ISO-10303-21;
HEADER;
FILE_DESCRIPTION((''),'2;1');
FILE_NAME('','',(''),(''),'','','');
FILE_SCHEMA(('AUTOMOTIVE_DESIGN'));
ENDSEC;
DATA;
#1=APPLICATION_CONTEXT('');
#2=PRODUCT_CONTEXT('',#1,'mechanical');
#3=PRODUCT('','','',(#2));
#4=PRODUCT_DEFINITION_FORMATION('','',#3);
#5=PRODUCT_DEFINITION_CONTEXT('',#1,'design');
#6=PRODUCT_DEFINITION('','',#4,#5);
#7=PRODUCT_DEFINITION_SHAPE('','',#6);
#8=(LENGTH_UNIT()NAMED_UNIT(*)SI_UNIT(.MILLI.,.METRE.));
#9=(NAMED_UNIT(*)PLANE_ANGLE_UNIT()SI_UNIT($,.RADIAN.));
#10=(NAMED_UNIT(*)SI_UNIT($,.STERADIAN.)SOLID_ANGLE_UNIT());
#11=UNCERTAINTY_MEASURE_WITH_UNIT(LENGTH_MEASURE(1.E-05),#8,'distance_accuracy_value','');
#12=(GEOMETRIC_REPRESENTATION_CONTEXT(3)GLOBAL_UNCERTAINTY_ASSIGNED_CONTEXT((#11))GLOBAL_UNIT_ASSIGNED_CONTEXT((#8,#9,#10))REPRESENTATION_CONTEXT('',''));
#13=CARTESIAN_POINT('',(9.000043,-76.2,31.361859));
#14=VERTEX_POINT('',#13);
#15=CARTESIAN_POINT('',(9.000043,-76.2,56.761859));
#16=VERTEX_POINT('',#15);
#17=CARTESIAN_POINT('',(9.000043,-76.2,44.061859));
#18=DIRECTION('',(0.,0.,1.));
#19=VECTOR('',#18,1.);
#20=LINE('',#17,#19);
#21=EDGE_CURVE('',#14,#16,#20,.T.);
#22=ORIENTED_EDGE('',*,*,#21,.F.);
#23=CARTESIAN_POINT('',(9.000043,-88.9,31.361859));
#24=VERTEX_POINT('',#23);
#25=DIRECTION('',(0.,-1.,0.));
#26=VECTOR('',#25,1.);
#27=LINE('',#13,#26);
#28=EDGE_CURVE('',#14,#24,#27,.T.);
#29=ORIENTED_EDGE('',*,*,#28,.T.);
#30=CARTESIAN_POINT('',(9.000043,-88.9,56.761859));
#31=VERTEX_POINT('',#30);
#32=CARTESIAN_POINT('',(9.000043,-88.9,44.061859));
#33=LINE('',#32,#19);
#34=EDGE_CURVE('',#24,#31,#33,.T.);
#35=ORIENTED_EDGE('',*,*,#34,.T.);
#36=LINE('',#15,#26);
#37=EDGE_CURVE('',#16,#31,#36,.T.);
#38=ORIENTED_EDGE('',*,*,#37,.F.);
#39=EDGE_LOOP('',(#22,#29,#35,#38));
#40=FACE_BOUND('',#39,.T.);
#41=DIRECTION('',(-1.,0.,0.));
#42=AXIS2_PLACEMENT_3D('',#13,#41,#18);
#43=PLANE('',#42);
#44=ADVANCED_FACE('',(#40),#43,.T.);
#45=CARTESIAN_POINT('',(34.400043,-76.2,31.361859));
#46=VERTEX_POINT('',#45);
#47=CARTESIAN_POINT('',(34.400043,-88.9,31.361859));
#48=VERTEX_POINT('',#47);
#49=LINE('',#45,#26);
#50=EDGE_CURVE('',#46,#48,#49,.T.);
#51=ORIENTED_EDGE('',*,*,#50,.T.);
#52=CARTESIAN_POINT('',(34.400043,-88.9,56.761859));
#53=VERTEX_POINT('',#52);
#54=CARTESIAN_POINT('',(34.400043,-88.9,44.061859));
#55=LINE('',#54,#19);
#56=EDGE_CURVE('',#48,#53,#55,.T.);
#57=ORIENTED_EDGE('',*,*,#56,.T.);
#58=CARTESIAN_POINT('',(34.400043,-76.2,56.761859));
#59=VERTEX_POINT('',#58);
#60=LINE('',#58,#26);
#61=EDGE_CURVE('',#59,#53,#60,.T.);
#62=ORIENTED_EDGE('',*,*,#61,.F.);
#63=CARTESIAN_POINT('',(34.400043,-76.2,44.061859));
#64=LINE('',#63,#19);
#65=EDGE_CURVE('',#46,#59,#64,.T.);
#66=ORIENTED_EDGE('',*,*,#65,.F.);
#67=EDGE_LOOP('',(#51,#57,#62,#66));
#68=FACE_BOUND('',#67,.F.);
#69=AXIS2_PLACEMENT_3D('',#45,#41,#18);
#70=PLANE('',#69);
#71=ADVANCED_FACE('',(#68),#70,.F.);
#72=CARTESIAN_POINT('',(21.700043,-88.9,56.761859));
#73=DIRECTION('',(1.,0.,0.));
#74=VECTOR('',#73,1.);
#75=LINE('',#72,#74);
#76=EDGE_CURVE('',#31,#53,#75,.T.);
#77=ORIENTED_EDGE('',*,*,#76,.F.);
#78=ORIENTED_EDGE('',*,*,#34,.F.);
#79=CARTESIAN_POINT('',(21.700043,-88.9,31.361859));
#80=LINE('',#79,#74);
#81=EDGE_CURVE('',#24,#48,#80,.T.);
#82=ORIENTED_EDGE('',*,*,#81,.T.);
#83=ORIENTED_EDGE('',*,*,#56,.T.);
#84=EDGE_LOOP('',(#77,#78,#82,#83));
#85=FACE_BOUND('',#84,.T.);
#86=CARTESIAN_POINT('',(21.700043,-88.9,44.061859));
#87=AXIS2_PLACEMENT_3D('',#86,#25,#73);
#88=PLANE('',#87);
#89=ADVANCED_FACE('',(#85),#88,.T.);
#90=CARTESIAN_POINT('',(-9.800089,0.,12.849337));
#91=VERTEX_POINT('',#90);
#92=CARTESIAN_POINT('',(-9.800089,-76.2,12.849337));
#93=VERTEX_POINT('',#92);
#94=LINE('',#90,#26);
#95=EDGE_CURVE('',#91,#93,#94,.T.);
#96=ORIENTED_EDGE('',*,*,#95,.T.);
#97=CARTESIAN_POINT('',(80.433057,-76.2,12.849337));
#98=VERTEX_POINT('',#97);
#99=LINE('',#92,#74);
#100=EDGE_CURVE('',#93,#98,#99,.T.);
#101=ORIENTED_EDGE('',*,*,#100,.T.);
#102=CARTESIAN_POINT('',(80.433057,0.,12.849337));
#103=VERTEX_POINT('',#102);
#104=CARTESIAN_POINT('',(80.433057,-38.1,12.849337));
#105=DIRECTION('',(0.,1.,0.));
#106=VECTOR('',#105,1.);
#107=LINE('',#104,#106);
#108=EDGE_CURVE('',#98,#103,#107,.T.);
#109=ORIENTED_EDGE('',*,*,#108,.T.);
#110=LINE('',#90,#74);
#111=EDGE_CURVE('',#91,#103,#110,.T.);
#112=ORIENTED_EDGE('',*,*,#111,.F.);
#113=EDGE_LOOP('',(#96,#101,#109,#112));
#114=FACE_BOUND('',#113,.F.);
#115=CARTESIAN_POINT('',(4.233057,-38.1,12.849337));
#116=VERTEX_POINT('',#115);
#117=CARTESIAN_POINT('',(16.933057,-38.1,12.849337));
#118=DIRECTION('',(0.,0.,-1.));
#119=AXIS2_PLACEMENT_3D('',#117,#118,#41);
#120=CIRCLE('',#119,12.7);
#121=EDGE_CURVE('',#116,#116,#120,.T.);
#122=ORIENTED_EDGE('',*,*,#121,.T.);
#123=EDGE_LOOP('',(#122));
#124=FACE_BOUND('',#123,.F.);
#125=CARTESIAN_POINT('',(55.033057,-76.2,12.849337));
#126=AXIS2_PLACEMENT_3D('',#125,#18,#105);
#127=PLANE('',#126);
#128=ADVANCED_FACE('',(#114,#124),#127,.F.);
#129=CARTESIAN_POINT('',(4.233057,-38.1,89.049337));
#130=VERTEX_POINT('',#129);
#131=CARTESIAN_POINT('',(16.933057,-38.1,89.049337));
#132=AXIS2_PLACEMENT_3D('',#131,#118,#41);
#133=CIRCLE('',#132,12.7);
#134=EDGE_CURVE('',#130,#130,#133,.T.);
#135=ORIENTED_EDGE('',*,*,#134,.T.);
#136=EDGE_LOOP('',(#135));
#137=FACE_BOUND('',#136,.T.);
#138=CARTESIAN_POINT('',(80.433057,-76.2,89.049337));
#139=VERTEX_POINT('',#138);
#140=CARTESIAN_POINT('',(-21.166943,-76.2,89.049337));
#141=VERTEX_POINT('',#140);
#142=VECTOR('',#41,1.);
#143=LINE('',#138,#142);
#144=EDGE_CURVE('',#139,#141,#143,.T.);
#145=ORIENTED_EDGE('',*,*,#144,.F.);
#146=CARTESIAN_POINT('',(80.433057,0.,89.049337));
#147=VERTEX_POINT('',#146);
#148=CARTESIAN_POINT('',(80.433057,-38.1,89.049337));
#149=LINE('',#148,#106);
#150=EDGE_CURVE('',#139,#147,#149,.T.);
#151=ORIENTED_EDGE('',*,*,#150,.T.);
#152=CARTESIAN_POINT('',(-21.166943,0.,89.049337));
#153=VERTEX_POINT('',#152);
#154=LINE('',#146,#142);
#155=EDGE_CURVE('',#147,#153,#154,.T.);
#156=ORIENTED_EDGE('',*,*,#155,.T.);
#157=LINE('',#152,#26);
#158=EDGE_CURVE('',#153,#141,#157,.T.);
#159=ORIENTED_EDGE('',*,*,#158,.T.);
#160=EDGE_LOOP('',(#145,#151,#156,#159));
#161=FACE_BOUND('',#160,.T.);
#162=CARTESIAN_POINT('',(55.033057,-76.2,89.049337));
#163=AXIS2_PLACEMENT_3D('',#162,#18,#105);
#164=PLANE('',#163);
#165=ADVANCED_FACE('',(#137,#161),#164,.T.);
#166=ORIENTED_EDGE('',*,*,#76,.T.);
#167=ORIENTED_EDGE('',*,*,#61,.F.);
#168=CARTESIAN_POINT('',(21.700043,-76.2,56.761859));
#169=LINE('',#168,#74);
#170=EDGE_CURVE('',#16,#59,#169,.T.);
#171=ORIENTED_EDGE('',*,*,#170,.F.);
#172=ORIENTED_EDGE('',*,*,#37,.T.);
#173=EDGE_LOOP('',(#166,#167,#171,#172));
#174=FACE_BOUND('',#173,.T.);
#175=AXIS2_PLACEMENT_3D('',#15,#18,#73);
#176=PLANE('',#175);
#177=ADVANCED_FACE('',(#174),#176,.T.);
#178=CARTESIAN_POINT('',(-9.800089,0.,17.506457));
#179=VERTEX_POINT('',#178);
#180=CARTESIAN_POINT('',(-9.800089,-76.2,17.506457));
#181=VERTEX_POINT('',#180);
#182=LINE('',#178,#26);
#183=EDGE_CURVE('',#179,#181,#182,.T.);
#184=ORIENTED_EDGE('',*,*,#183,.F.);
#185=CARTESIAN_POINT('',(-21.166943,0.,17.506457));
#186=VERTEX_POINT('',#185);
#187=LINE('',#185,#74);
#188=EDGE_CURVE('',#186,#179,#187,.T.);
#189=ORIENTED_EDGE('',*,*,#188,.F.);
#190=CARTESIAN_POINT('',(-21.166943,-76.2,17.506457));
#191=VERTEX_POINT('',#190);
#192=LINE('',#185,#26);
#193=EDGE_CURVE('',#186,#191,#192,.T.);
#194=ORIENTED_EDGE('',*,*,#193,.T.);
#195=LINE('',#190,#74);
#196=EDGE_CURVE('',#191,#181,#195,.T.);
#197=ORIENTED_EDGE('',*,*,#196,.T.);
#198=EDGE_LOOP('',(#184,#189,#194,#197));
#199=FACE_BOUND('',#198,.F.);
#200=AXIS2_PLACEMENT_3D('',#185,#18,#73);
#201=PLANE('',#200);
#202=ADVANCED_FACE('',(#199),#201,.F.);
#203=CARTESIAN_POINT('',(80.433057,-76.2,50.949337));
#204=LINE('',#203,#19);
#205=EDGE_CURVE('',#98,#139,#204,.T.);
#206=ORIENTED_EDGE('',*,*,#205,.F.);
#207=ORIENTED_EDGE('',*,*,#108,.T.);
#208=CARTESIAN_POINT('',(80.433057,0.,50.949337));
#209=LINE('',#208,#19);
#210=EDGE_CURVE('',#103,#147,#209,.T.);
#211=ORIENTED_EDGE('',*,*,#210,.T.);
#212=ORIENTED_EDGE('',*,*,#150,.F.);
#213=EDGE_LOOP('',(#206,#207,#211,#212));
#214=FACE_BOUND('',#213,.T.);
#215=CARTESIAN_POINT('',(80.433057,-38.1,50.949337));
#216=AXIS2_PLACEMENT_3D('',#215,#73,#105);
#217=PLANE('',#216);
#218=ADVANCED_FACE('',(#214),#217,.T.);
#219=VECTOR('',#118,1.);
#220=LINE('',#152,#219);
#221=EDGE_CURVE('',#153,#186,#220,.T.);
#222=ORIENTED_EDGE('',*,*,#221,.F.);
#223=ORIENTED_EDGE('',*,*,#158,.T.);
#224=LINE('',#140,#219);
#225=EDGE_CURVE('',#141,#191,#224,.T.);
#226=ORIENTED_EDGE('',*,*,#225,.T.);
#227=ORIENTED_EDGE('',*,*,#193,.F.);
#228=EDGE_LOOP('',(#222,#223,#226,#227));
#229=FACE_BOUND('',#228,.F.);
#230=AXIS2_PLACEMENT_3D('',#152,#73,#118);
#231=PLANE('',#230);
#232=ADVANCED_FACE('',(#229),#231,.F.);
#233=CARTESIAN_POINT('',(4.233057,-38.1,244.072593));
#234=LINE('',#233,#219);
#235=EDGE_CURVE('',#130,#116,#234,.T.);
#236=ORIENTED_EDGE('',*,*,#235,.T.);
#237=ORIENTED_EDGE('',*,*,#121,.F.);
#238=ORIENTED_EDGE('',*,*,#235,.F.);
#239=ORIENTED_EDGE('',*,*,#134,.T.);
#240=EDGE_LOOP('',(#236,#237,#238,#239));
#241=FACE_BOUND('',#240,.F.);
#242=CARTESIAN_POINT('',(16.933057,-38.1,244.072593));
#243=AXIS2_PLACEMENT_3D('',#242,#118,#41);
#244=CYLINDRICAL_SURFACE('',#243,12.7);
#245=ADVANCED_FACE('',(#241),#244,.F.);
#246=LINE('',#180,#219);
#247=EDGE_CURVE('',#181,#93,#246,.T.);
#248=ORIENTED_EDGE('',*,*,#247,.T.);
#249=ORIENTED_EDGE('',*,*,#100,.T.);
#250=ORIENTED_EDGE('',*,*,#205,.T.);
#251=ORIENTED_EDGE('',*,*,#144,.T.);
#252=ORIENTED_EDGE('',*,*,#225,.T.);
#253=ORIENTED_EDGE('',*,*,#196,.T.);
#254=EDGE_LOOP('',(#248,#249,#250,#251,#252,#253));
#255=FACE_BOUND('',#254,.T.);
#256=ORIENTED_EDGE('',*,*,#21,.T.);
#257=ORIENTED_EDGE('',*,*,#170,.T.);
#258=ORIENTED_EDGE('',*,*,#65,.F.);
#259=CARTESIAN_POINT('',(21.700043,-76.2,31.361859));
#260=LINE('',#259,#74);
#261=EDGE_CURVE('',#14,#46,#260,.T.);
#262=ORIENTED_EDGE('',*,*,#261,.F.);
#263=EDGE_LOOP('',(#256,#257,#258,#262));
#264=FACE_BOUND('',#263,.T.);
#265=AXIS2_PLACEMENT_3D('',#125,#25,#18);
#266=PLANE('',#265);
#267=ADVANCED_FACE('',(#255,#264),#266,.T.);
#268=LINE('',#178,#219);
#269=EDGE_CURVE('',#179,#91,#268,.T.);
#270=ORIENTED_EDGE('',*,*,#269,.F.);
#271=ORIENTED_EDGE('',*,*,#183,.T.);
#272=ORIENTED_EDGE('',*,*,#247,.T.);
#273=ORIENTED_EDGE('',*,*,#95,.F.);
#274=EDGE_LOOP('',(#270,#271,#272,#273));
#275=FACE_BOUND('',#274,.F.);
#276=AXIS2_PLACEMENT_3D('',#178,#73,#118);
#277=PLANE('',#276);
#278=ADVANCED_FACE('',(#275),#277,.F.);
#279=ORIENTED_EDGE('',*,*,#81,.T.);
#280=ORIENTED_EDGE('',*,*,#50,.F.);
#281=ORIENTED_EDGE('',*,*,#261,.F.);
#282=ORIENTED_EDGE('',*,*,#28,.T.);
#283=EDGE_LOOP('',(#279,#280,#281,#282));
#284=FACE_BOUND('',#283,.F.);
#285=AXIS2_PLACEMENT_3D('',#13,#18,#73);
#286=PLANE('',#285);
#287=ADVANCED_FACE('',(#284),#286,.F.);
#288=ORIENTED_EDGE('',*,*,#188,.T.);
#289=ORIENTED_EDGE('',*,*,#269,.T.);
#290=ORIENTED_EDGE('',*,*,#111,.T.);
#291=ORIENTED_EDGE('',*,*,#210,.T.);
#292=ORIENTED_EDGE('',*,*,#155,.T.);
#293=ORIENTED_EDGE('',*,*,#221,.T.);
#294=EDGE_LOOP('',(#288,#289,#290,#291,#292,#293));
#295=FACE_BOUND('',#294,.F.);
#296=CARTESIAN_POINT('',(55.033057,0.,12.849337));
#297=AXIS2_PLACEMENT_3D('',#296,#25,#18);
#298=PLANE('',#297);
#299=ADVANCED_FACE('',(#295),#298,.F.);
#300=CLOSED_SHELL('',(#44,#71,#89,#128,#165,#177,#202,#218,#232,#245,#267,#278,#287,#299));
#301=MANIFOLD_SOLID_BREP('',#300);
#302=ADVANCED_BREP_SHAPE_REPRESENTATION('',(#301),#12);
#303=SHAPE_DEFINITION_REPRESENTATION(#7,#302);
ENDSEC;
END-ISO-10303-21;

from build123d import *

# Parameters (mm, degrees)
F1_DEPTH = 76.2
F2_W     = 25.4
F2_H     = 25.4
F3_DEPTH = 12.7
F4_W     = 76.2
F4_H     = 76.2
F6_DEPTH = 25.4
F7_D     = 25.4


with BuildPart() as f1:
    # F0 (on Front) → F1 (new body)
    with BuildSketch(Plane.XZ):
        Polygon((-21.166943, 89.049337), (-21.166943, 17.506457), (-9.800089, 17.506457), (-9.800089, 12.849337), (55.033057, 12.849337), (55.033057, 89.049337), align=None)
    extrude(amount=F1_DEPTH)

    # F2 (on face) → F3 (join)
    with BuildSketch(Plane.XZ.offset(76.2)):
        with Locations((21.700043, 44.061859)):
            Rectangle(F2_W, F2_H)
    extrude(amount=F3_DEPTH)

    # F4 (on face) → F6 (join)
    with BuildSketch(Plane.YZ.offset(55.033057)):
        with Locations((-38.1, 50.949337)):
            Rectangle(F4_W, F4_H)
    extrude(amount=F6_DEPTH)

    # F7 (through all)
    with Locations(Plane.XY.offset(89.049337)):
        with Locations((16.933057, -38.1)):
            Hole(F7_D / 2)


solid = f1.part
